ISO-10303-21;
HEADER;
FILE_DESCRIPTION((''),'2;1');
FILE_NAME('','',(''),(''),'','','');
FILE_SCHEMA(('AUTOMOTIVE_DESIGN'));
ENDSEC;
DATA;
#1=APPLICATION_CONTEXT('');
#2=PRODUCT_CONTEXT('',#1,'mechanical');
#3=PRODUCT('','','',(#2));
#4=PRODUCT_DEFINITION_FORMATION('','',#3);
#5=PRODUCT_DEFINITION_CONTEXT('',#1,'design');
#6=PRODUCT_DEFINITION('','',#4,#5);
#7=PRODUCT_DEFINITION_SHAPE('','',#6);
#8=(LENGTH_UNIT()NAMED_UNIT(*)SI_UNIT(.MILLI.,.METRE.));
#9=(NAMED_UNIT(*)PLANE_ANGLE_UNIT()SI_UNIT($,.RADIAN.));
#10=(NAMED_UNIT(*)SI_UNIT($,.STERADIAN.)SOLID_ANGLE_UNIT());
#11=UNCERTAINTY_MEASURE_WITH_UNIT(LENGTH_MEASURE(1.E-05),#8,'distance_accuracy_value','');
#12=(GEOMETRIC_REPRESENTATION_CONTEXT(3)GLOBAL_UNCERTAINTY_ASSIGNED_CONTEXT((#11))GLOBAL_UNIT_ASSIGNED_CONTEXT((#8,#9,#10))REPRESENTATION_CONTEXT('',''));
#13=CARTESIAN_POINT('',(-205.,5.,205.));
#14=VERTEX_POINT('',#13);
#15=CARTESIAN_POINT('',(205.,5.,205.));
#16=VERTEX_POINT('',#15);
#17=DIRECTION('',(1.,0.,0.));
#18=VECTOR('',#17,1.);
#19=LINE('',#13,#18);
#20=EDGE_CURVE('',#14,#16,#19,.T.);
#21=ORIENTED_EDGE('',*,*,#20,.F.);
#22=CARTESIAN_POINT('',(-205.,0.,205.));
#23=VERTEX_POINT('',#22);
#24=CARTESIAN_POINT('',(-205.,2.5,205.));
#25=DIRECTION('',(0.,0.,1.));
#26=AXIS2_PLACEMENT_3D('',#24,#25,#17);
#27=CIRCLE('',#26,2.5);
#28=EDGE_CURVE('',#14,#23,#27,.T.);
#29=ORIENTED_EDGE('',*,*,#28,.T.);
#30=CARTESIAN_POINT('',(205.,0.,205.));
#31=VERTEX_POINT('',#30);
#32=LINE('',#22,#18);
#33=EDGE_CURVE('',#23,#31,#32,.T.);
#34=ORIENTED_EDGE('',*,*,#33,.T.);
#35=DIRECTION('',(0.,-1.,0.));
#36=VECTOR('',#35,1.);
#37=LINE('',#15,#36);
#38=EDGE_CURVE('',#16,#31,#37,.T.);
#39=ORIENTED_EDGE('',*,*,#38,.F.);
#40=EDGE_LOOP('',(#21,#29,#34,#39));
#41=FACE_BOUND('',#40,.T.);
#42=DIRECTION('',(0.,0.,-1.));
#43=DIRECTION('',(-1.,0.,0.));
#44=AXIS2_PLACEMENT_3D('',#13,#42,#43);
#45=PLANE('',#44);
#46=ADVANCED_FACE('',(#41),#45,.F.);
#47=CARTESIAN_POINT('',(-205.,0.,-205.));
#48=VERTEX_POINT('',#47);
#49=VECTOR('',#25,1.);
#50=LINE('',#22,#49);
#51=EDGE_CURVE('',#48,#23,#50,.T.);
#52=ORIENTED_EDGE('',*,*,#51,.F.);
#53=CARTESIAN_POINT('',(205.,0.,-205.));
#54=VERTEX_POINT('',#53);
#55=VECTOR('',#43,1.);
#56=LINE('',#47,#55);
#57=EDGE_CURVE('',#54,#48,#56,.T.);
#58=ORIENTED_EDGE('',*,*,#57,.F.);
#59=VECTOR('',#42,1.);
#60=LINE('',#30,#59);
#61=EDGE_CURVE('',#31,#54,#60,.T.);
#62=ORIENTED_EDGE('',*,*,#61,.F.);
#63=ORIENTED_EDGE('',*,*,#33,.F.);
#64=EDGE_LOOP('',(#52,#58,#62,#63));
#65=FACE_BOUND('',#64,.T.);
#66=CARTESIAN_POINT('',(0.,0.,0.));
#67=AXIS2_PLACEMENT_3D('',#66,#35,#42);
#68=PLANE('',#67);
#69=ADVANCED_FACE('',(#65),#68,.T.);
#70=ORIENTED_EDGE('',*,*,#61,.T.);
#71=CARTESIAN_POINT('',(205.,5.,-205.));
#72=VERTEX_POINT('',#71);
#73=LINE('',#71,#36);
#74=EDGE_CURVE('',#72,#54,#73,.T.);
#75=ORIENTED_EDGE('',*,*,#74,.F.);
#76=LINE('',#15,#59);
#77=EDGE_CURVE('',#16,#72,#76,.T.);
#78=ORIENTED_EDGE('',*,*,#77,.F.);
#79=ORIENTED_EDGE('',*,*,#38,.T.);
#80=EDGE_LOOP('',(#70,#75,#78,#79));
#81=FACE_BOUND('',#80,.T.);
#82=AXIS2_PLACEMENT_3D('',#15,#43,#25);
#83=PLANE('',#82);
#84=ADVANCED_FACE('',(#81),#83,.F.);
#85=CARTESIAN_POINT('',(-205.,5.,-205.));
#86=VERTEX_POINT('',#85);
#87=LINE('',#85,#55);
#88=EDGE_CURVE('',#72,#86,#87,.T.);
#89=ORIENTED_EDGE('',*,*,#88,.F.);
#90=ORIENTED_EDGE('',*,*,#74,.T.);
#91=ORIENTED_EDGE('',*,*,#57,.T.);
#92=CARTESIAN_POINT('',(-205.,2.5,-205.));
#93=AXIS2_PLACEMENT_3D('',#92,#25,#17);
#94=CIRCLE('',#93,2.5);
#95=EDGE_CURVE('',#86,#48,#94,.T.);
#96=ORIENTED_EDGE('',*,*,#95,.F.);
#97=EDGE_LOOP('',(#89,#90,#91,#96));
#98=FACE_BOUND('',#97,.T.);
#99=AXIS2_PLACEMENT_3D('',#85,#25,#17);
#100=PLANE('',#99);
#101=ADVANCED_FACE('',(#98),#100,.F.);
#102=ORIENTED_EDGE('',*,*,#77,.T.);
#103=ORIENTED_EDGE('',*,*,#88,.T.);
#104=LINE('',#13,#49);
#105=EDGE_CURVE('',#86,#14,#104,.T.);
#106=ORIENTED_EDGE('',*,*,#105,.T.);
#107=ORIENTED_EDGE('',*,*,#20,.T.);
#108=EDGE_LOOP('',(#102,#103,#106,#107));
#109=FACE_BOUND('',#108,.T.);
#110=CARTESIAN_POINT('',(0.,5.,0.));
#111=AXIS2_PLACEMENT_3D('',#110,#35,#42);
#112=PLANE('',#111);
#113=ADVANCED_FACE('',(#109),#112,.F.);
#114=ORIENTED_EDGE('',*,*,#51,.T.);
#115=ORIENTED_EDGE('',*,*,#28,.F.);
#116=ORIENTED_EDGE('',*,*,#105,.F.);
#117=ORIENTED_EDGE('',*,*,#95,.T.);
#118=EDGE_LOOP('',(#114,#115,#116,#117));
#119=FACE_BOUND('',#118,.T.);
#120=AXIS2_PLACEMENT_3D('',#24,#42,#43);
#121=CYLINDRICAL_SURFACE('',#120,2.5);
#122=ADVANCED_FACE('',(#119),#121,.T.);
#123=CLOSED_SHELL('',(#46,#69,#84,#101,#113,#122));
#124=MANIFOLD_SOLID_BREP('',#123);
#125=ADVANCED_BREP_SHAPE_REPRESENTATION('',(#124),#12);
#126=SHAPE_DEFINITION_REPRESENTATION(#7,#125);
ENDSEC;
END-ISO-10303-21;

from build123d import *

# Parameters (mm, degrees)
SKETCH_1_W           = 410
SKETCH_1_H           = 410
EXTRUDE_1_DEPTH      = 5
EXTRUDE_2_DEPTH      = 205
EXTRUDE_2_DEPTH_BACK = 205


with BuildPart() as part:
    # Эскиз1 → Бобышка-Вытянуть1 (new body)
    with BuildSketch(Plane(origin=(0, 0, 0), x_dir=(1, 0, 0), z_dir=(0, 1, 0))):
        Rectangle(SKETCH_1_W, SKETCH_1_H)
    extrude(amount=EXTRUDE_1_DEPTH)

    # Эскиз2 → Бобышка-Вытянуть2 (add, two sides: drawn at the far end of the back side and taken through both)
    with BuildSketch(Plane.XY.offset(-EXTRUDE_2_DEPTH_BACK)):
        with BuildLine():
            ThreePointArc((-202.5, 2.5), (-203.232233047, 4.267766953), (-205, 5))
            Line((-205, 5), (-205, 0))
            ThreePointArc((-205, 0), (-203.232233047, 0.732233047), (-202.5, 2.5))
        make_face()
        with BuildLine():
            Line((-205, 0), (-205, 5))
            ThreePointArc((-205, 5), (-207.5, 2.5), (-205, 0))
        make_face()
    extrude(amount=EXTRUDE_2_DEPTH + EXTRUDE_2_DEPTH_BACK)


solid = part.part
